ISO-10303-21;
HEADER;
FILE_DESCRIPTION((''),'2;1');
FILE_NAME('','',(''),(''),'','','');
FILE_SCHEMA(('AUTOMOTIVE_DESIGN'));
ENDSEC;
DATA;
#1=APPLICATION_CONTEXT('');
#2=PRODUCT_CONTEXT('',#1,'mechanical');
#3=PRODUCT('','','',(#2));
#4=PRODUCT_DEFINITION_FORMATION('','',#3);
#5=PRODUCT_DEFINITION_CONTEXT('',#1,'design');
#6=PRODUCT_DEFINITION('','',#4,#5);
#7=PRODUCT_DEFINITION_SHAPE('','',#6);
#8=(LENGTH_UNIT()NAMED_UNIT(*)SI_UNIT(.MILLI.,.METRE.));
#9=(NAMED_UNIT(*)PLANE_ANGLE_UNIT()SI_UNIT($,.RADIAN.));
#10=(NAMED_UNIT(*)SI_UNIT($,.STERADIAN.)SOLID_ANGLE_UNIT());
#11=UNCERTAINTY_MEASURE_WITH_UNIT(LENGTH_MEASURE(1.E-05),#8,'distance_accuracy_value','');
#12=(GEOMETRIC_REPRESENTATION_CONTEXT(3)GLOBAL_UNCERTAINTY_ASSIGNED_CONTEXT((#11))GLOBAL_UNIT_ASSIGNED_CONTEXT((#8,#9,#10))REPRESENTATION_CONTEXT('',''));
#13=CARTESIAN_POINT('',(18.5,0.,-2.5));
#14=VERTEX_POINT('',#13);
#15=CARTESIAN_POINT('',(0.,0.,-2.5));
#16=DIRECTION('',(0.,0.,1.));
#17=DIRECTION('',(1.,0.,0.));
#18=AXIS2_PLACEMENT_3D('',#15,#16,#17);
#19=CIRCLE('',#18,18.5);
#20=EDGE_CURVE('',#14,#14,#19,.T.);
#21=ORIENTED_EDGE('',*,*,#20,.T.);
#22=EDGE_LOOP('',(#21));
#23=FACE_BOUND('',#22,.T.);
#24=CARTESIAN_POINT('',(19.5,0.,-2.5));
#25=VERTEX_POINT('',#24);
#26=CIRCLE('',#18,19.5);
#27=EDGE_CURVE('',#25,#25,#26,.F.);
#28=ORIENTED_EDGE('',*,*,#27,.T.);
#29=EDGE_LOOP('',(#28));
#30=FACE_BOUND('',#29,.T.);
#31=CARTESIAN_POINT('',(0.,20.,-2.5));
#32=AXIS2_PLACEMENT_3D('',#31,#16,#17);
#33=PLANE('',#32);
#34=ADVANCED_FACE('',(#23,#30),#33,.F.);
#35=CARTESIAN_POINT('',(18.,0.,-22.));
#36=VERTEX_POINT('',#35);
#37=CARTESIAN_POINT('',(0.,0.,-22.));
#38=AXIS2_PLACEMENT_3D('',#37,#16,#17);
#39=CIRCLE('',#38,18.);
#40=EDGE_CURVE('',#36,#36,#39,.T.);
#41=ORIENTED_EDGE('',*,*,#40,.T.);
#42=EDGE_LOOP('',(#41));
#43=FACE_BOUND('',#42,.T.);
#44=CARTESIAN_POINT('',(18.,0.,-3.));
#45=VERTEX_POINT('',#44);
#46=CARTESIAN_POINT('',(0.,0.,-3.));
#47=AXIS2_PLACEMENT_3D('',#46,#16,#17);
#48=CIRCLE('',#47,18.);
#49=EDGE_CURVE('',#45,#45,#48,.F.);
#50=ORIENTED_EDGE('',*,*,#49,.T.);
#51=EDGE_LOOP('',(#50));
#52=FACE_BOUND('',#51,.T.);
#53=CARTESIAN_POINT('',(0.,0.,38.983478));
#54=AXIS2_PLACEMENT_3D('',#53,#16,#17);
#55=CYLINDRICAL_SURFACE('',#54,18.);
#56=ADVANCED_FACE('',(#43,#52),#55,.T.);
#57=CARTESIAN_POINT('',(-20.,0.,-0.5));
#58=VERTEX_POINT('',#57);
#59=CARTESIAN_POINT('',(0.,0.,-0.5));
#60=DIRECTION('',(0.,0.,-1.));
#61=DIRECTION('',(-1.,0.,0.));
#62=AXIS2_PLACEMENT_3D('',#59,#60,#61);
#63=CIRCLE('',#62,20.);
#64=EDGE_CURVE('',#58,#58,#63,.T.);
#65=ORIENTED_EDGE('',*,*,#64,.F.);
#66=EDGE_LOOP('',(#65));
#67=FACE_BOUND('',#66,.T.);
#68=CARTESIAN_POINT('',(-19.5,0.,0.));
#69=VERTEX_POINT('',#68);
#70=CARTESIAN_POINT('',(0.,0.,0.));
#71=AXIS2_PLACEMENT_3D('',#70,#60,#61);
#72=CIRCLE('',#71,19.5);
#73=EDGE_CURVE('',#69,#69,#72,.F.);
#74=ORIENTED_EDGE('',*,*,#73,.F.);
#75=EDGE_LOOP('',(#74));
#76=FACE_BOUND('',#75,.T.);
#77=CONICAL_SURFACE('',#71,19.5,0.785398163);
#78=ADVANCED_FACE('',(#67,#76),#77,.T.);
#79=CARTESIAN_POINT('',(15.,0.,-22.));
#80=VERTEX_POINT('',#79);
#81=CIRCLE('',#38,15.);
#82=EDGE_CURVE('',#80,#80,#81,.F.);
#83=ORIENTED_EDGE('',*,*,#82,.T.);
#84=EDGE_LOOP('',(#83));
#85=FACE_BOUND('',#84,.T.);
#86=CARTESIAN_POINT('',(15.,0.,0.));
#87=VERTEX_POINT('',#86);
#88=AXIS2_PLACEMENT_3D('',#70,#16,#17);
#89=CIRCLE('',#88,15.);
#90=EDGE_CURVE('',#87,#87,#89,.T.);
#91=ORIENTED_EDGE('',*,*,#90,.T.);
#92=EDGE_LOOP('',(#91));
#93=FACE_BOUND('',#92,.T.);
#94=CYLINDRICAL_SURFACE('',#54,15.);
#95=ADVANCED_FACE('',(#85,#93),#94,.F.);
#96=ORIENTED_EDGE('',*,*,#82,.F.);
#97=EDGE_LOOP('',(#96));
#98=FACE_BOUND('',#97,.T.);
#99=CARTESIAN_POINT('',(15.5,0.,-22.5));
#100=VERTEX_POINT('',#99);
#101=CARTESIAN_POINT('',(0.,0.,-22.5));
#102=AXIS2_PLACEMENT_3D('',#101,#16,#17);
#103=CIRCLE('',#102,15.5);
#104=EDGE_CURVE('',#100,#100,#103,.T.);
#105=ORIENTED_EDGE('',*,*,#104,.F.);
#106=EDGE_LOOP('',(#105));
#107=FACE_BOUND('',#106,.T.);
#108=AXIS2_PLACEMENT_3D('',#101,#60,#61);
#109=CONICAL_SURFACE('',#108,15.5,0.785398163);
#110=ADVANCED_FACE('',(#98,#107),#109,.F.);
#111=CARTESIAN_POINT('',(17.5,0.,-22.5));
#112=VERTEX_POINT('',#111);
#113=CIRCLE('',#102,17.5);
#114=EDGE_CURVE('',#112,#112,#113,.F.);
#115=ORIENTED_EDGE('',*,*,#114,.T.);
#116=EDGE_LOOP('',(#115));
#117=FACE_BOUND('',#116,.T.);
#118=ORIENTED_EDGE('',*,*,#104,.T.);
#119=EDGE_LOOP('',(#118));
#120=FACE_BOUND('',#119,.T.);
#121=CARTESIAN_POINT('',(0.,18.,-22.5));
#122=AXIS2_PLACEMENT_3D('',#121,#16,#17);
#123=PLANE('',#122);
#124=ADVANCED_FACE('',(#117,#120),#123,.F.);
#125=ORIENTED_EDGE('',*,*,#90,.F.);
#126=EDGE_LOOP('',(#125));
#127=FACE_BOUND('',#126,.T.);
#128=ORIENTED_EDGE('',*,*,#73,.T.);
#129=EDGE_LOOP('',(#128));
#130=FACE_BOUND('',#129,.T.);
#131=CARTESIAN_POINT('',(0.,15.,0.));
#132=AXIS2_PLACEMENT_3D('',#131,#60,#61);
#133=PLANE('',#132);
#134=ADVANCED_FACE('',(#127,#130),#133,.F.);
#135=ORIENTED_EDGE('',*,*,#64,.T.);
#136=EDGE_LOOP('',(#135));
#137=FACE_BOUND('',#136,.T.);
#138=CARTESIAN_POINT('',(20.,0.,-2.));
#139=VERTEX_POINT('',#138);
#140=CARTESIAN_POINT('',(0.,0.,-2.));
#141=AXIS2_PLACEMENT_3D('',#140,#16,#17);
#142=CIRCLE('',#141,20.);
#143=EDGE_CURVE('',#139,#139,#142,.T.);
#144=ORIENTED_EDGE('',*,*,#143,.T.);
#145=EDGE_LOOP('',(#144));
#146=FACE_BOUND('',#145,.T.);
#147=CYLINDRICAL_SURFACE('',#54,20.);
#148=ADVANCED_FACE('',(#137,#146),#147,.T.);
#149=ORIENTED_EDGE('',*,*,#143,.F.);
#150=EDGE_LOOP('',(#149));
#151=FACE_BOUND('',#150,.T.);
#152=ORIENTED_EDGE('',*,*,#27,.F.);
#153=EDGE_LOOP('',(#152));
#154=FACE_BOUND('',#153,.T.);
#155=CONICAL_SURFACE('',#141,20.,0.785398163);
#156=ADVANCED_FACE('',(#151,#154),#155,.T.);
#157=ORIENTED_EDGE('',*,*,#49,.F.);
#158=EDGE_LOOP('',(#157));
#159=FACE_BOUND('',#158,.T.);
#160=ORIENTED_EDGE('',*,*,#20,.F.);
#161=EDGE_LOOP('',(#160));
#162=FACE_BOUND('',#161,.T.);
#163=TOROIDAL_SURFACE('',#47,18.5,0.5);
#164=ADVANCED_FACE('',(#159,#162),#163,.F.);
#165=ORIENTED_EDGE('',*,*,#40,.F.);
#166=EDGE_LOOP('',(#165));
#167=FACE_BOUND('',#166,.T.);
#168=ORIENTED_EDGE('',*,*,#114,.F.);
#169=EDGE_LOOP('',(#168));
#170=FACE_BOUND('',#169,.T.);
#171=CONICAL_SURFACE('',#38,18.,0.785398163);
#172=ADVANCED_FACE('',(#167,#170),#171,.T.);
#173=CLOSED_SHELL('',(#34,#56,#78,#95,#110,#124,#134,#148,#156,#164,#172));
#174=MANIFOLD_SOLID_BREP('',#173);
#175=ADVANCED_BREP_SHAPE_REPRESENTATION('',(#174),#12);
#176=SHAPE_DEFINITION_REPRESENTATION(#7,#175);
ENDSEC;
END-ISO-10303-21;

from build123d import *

# Parameters (mm, degrees)
FILLET1_R     = 0.5
CHAMFER1_SIZE = 0.5


with BuildPart() as part:
    # Sketch1 → Revolve1 (revolve)
    with BuildSketch(Plane(origin=(0, 0, 0), x_dir=(0, 0, -1), z_dir=(1, 0, 0))):
        Polygon((0, 15), (0, 20), (2.5, 20), (2.5, 18), (22.5, 18), (22.5, 15), align=None)
    revolve(axis=Axis((0, 0, 38.983478261), (0, 0, -1)))

    # Fillet1
    fillet1_edges = [part.edges().sort_by_distance(p)[0] for p in [
        (0, -18, -2.5),
    ]]
    fillet(fillet1_edges, radius=FILLET1_R)

    # Chamfer1
    chamfer1_edges = [part.edges().sort_by_distance(p)[0] for p in [
        (0, -20, -2.5),
        (0, -20, 0),
        (0, -18, -22.5),
        (0, -15, -22.5),
    ]]
    chamfer(chamfer1_edges, length=CHAMFER1_SIZE)


solid = part.part
